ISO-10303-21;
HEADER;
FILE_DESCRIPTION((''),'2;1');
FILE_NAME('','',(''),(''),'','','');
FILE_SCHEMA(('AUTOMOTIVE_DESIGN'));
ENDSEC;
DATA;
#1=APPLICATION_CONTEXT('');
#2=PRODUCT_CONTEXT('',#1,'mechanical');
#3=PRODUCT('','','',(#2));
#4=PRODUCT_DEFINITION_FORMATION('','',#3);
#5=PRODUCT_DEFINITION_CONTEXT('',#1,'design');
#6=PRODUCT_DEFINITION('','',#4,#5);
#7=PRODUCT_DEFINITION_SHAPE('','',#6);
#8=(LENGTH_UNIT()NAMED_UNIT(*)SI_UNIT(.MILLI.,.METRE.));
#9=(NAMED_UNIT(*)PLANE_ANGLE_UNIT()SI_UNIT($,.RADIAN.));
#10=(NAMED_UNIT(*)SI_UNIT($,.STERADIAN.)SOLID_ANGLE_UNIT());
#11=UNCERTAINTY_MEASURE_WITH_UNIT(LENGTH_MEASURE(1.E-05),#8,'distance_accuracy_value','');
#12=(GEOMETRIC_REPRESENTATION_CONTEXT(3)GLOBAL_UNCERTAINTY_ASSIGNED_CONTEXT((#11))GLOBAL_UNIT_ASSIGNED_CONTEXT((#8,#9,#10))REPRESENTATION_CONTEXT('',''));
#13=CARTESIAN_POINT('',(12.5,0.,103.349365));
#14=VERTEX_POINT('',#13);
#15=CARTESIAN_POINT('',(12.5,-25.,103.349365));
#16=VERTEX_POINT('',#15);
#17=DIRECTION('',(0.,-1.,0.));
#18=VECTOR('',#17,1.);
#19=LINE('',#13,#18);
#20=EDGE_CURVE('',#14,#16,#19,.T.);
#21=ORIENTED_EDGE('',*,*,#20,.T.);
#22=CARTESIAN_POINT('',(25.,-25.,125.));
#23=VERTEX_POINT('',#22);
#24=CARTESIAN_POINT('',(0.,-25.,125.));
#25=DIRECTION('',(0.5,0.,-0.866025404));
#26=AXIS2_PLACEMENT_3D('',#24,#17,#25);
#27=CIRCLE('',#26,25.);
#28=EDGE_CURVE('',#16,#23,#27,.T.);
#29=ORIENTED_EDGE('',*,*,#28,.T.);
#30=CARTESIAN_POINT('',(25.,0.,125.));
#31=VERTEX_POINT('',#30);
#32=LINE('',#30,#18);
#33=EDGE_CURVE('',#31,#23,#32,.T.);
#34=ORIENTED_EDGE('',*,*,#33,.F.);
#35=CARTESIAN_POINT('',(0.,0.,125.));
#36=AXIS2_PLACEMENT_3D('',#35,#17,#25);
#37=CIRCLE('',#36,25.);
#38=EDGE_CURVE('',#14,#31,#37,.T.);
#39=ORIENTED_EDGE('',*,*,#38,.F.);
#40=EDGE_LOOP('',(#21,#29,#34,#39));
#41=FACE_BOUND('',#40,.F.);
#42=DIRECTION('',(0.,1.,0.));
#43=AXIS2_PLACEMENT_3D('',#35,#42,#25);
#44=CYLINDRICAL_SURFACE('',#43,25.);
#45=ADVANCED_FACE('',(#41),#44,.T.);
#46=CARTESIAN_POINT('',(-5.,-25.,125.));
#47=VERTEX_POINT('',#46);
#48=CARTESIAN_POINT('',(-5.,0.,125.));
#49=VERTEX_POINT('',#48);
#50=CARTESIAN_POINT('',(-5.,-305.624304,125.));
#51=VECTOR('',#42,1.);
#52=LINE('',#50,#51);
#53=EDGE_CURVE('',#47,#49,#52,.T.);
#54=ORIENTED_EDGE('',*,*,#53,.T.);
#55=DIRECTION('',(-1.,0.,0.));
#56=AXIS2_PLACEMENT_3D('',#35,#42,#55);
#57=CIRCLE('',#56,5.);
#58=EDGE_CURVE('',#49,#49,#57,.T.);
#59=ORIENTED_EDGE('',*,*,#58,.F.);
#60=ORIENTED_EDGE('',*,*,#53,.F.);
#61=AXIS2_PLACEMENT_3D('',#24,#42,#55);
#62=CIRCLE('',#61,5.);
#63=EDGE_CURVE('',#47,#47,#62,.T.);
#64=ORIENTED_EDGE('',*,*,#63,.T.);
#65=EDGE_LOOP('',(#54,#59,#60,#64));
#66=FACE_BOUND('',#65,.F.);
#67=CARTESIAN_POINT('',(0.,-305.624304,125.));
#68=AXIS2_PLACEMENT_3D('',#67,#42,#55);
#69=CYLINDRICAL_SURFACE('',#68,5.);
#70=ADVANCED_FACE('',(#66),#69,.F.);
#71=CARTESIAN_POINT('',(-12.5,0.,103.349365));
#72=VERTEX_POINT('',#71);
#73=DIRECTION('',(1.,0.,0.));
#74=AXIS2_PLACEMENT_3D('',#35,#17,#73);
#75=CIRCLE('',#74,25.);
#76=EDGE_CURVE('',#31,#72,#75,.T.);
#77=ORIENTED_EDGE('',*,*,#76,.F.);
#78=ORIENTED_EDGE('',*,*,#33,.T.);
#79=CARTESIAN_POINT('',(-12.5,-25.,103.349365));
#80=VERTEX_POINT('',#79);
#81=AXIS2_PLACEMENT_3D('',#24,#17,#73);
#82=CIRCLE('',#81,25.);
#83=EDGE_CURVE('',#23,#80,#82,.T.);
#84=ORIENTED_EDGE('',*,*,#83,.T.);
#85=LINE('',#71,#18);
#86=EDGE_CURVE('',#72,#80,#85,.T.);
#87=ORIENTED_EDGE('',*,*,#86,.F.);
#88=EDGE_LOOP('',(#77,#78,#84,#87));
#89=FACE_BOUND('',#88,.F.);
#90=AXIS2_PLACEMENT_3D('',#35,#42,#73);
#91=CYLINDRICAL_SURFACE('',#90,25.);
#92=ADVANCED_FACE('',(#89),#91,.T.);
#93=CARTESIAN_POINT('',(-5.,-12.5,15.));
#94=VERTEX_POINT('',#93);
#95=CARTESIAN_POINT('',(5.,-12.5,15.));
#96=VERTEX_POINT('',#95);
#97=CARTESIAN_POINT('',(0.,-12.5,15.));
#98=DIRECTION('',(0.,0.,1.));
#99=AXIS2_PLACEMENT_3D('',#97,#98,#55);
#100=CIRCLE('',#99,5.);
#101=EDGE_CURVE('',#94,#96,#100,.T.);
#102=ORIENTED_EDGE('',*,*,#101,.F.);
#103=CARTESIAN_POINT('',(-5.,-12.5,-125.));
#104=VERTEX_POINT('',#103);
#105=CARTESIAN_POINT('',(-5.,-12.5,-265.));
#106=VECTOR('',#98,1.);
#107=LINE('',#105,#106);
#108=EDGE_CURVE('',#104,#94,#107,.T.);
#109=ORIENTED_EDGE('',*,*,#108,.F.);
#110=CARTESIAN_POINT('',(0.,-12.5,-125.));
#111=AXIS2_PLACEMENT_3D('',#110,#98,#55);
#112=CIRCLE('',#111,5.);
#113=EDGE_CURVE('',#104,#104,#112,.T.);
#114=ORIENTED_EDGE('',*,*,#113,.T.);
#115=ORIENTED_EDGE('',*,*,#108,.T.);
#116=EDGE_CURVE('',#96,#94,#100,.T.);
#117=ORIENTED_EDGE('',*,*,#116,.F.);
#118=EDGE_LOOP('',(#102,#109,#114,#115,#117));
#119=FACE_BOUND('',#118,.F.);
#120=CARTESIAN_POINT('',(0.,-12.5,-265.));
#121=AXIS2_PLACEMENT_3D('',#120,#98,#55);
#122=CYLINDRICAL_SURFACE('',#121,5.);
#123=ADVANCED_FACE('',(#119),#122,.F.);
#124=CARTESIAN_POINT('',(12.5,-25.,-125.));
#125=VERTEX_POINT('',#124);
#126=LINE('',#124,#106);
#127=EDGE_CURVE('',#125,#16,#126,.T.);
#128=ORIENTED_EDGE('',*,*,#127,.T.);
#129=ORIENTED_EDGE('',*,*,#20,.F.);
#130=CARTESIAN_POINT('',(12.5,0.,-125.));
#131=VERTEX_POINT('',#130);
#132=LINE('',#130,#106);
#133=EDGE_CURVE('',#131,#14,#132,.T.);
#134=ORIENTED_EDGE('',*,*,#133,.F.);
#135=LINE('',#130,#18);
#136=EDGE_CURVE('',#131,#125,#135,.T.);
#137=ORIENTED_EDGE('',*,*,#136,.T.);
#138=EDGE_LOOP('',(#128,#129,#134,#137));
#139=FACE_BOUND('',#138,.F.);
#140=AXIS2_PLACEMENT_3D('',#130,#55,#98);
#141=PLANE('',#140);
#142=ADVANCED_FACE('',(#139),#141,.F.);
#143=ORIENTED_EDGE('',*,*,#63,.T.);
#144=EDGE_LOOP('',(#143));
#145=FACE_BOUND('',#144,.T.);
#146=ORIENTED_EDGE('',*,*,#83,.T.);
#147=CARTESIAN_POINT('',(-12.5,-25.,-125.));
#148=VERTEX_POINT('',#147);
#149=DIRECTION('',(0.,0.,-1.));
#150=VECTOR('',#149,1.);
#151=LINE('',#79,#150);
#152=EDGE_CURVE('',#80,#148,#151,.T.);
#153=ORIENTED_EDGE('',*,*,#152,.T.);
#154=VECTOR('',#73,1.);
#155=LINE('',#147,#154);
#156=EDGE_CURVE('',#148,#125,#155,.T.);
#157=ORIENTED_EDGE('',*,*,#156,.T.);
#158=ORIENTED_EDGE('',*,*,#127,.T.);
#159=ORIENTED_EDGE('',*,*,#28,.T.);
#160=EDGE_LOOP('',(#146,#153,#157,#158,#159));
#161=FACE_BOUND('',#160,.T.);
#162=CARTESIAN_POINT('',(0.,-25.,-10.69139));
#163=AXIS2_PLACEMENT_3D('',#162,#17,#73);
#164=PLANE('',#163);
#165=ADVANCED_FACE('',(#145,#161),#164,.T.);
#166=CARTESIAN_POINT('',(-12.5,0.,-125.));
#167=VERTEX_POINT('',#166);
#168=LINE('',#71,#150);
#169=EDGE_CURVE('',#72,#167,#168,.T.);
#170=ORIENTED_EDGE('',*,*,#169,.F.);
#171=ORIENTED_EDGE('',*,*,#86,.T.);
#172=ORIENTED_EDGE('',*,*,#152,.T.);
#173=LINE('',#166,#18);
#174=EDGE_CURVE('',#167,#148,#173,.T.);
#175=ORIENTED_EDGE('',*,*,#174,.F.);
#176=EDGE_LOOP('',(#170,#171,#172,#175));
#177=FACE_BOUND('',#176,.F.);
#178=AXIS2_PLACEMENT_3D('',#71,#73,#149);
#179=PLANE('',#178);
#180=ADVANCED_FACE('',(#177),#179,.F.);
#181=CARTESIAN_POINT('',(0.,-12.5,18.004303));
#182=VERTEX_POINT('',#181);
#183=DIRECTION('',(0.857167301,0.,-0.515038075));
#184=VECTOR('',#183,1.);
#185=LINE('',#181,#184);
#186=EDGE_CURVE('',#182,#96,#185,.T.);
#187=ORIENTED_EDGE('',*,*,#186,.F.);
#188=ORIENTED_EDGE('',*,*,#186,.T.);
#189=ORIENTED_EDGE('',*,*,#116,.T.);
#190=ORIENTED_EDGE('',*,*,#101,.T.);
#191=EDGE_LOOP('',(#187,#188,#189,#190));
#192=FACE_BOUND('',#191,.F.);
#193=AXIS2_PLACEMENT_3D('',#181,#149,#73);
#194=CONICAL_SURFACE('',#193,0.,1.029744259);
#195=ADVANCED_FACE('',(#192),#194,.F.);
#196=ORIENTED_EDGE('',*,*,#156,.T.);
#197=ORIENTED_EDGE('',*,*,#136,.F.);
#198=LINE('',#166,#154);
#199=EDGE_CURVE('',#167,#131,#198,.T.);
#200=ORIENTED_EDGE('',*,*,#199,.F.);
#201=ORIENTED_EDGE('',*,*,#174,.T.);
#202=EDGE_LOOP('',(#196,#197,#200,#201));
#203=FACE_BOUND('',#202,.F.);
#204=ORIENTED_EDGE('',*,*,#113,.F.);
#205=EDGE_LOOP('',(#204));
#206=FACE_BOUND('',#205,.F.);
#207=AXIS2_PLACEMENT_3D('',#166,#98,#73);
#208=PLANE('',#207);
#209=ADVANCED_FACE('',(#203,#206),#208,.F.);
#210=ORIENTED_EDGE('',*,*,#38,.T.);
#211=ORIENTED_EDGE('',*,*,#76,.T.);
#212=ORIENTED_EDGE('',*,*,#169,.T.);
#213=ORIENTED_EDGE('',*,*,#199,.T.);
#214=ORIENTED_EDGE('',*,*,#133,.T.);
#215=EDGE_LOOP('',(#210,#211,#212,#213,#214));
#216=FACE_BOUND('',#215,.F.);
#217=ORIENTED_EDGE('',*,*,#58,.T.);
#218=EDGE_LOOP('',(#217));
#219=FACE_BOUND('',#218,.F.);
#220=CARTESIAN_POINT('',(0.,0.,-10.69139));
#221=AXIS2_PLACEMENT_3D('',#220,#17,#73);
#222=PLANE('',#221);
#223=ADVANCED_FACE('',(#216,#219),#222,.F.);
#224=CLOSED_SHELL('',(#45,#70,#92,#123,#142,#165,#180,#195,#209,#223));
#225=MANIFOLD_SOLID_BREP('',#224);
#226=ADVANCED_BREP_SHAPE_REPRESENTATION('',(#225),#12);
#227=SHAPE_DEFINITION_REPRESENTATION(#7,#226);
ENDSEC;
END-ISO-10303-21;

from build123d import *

# Parameters (mm, degrees)
F1_DEPTH = 25
F2_DEPTH = 25
F4_D     = 10
F4_DEPTH = 140
F4_TIP   = 3.0043030951
F6_D     = 10


with BuildPart() as f1:
    # F0 (on Front) → F1 (new body)
    with BuildSketch(Plane.XZ):
        with BuildLine():
            Line((-12.5, 103.3493649054), (-12.5, -125))
            Line((-12.5, -125), (12.5, -125))
            Line((12.5, -125), (12.5, 103.3493649054))
            ThreePointArc((12.5, 103.3493649054), (0, 100), (-12.5, 103.3493649054))
        make_face()
    extrude(amount=F1_DEPTH)

    # F0 (on Front) → F2 (join)
    with BuildSketch(Plane.XZ):
        with BuildLine():
            Line((-12.5, 103.3493649054), (-12.5, -125))
            Line((-12.5, -125), (12.5, -125))
            Line((12.5, -125), (12.5, 103.3493649054))
            ThreePointArc((12.5, 103.3493649054), (0, 100), (-12.5, 103.3493649054))
        make_face()
        with BuildLine():
            ThreePointArc((25, 125), (-12.5, 146.6506350946), (-12.5, 103.3493649054))
            Line((-12.5, 103.3493649054), (-12.5, 125))
            Line((-12.5, 125), (12.5, 125))
            Line((12.5, 125), (12.5, 103.3493649054))
            ThreePointArc((12.5, 103.3493649054), (21.6506350946, 112.5), (25, 125))
        make_face()
        with BuildLine():
            Line((-12.5, 125), (-12.5, 103.3493649054))
            ThreePointArc((-12.5, 103.3493649054), (0, 100), (12.5, 103.3493649054))
            Line((12.5, 103.3493649054), (12.5, 125))
            Line((12.5, 125), (-12.5, 125))
        make_face()
    extrude(amount=F2_DEPTH)

    # F4
    with Locations(Plane(origin=(0, 0, -125), x_dir=(1, 0, 0), z_dir=(0, 0, -1))):
        with Locations((0, 12.5)):
            Hole(F4_D / 2, depth=F4_DEPTH)
            with Locations((0, 0, -(F4_DEPTH + F4_TIP / 2))):  # 118° drill point
                Cone(0, F4_D / 2, F4_TIP, mode=Mode.SUBTRACT)

    # F6 (through all)
    with Locations(Plane.XZ.offset(25)):
        with Locations((0, 125)):
            Hole(F6_D / 2)


solid = f1.part
